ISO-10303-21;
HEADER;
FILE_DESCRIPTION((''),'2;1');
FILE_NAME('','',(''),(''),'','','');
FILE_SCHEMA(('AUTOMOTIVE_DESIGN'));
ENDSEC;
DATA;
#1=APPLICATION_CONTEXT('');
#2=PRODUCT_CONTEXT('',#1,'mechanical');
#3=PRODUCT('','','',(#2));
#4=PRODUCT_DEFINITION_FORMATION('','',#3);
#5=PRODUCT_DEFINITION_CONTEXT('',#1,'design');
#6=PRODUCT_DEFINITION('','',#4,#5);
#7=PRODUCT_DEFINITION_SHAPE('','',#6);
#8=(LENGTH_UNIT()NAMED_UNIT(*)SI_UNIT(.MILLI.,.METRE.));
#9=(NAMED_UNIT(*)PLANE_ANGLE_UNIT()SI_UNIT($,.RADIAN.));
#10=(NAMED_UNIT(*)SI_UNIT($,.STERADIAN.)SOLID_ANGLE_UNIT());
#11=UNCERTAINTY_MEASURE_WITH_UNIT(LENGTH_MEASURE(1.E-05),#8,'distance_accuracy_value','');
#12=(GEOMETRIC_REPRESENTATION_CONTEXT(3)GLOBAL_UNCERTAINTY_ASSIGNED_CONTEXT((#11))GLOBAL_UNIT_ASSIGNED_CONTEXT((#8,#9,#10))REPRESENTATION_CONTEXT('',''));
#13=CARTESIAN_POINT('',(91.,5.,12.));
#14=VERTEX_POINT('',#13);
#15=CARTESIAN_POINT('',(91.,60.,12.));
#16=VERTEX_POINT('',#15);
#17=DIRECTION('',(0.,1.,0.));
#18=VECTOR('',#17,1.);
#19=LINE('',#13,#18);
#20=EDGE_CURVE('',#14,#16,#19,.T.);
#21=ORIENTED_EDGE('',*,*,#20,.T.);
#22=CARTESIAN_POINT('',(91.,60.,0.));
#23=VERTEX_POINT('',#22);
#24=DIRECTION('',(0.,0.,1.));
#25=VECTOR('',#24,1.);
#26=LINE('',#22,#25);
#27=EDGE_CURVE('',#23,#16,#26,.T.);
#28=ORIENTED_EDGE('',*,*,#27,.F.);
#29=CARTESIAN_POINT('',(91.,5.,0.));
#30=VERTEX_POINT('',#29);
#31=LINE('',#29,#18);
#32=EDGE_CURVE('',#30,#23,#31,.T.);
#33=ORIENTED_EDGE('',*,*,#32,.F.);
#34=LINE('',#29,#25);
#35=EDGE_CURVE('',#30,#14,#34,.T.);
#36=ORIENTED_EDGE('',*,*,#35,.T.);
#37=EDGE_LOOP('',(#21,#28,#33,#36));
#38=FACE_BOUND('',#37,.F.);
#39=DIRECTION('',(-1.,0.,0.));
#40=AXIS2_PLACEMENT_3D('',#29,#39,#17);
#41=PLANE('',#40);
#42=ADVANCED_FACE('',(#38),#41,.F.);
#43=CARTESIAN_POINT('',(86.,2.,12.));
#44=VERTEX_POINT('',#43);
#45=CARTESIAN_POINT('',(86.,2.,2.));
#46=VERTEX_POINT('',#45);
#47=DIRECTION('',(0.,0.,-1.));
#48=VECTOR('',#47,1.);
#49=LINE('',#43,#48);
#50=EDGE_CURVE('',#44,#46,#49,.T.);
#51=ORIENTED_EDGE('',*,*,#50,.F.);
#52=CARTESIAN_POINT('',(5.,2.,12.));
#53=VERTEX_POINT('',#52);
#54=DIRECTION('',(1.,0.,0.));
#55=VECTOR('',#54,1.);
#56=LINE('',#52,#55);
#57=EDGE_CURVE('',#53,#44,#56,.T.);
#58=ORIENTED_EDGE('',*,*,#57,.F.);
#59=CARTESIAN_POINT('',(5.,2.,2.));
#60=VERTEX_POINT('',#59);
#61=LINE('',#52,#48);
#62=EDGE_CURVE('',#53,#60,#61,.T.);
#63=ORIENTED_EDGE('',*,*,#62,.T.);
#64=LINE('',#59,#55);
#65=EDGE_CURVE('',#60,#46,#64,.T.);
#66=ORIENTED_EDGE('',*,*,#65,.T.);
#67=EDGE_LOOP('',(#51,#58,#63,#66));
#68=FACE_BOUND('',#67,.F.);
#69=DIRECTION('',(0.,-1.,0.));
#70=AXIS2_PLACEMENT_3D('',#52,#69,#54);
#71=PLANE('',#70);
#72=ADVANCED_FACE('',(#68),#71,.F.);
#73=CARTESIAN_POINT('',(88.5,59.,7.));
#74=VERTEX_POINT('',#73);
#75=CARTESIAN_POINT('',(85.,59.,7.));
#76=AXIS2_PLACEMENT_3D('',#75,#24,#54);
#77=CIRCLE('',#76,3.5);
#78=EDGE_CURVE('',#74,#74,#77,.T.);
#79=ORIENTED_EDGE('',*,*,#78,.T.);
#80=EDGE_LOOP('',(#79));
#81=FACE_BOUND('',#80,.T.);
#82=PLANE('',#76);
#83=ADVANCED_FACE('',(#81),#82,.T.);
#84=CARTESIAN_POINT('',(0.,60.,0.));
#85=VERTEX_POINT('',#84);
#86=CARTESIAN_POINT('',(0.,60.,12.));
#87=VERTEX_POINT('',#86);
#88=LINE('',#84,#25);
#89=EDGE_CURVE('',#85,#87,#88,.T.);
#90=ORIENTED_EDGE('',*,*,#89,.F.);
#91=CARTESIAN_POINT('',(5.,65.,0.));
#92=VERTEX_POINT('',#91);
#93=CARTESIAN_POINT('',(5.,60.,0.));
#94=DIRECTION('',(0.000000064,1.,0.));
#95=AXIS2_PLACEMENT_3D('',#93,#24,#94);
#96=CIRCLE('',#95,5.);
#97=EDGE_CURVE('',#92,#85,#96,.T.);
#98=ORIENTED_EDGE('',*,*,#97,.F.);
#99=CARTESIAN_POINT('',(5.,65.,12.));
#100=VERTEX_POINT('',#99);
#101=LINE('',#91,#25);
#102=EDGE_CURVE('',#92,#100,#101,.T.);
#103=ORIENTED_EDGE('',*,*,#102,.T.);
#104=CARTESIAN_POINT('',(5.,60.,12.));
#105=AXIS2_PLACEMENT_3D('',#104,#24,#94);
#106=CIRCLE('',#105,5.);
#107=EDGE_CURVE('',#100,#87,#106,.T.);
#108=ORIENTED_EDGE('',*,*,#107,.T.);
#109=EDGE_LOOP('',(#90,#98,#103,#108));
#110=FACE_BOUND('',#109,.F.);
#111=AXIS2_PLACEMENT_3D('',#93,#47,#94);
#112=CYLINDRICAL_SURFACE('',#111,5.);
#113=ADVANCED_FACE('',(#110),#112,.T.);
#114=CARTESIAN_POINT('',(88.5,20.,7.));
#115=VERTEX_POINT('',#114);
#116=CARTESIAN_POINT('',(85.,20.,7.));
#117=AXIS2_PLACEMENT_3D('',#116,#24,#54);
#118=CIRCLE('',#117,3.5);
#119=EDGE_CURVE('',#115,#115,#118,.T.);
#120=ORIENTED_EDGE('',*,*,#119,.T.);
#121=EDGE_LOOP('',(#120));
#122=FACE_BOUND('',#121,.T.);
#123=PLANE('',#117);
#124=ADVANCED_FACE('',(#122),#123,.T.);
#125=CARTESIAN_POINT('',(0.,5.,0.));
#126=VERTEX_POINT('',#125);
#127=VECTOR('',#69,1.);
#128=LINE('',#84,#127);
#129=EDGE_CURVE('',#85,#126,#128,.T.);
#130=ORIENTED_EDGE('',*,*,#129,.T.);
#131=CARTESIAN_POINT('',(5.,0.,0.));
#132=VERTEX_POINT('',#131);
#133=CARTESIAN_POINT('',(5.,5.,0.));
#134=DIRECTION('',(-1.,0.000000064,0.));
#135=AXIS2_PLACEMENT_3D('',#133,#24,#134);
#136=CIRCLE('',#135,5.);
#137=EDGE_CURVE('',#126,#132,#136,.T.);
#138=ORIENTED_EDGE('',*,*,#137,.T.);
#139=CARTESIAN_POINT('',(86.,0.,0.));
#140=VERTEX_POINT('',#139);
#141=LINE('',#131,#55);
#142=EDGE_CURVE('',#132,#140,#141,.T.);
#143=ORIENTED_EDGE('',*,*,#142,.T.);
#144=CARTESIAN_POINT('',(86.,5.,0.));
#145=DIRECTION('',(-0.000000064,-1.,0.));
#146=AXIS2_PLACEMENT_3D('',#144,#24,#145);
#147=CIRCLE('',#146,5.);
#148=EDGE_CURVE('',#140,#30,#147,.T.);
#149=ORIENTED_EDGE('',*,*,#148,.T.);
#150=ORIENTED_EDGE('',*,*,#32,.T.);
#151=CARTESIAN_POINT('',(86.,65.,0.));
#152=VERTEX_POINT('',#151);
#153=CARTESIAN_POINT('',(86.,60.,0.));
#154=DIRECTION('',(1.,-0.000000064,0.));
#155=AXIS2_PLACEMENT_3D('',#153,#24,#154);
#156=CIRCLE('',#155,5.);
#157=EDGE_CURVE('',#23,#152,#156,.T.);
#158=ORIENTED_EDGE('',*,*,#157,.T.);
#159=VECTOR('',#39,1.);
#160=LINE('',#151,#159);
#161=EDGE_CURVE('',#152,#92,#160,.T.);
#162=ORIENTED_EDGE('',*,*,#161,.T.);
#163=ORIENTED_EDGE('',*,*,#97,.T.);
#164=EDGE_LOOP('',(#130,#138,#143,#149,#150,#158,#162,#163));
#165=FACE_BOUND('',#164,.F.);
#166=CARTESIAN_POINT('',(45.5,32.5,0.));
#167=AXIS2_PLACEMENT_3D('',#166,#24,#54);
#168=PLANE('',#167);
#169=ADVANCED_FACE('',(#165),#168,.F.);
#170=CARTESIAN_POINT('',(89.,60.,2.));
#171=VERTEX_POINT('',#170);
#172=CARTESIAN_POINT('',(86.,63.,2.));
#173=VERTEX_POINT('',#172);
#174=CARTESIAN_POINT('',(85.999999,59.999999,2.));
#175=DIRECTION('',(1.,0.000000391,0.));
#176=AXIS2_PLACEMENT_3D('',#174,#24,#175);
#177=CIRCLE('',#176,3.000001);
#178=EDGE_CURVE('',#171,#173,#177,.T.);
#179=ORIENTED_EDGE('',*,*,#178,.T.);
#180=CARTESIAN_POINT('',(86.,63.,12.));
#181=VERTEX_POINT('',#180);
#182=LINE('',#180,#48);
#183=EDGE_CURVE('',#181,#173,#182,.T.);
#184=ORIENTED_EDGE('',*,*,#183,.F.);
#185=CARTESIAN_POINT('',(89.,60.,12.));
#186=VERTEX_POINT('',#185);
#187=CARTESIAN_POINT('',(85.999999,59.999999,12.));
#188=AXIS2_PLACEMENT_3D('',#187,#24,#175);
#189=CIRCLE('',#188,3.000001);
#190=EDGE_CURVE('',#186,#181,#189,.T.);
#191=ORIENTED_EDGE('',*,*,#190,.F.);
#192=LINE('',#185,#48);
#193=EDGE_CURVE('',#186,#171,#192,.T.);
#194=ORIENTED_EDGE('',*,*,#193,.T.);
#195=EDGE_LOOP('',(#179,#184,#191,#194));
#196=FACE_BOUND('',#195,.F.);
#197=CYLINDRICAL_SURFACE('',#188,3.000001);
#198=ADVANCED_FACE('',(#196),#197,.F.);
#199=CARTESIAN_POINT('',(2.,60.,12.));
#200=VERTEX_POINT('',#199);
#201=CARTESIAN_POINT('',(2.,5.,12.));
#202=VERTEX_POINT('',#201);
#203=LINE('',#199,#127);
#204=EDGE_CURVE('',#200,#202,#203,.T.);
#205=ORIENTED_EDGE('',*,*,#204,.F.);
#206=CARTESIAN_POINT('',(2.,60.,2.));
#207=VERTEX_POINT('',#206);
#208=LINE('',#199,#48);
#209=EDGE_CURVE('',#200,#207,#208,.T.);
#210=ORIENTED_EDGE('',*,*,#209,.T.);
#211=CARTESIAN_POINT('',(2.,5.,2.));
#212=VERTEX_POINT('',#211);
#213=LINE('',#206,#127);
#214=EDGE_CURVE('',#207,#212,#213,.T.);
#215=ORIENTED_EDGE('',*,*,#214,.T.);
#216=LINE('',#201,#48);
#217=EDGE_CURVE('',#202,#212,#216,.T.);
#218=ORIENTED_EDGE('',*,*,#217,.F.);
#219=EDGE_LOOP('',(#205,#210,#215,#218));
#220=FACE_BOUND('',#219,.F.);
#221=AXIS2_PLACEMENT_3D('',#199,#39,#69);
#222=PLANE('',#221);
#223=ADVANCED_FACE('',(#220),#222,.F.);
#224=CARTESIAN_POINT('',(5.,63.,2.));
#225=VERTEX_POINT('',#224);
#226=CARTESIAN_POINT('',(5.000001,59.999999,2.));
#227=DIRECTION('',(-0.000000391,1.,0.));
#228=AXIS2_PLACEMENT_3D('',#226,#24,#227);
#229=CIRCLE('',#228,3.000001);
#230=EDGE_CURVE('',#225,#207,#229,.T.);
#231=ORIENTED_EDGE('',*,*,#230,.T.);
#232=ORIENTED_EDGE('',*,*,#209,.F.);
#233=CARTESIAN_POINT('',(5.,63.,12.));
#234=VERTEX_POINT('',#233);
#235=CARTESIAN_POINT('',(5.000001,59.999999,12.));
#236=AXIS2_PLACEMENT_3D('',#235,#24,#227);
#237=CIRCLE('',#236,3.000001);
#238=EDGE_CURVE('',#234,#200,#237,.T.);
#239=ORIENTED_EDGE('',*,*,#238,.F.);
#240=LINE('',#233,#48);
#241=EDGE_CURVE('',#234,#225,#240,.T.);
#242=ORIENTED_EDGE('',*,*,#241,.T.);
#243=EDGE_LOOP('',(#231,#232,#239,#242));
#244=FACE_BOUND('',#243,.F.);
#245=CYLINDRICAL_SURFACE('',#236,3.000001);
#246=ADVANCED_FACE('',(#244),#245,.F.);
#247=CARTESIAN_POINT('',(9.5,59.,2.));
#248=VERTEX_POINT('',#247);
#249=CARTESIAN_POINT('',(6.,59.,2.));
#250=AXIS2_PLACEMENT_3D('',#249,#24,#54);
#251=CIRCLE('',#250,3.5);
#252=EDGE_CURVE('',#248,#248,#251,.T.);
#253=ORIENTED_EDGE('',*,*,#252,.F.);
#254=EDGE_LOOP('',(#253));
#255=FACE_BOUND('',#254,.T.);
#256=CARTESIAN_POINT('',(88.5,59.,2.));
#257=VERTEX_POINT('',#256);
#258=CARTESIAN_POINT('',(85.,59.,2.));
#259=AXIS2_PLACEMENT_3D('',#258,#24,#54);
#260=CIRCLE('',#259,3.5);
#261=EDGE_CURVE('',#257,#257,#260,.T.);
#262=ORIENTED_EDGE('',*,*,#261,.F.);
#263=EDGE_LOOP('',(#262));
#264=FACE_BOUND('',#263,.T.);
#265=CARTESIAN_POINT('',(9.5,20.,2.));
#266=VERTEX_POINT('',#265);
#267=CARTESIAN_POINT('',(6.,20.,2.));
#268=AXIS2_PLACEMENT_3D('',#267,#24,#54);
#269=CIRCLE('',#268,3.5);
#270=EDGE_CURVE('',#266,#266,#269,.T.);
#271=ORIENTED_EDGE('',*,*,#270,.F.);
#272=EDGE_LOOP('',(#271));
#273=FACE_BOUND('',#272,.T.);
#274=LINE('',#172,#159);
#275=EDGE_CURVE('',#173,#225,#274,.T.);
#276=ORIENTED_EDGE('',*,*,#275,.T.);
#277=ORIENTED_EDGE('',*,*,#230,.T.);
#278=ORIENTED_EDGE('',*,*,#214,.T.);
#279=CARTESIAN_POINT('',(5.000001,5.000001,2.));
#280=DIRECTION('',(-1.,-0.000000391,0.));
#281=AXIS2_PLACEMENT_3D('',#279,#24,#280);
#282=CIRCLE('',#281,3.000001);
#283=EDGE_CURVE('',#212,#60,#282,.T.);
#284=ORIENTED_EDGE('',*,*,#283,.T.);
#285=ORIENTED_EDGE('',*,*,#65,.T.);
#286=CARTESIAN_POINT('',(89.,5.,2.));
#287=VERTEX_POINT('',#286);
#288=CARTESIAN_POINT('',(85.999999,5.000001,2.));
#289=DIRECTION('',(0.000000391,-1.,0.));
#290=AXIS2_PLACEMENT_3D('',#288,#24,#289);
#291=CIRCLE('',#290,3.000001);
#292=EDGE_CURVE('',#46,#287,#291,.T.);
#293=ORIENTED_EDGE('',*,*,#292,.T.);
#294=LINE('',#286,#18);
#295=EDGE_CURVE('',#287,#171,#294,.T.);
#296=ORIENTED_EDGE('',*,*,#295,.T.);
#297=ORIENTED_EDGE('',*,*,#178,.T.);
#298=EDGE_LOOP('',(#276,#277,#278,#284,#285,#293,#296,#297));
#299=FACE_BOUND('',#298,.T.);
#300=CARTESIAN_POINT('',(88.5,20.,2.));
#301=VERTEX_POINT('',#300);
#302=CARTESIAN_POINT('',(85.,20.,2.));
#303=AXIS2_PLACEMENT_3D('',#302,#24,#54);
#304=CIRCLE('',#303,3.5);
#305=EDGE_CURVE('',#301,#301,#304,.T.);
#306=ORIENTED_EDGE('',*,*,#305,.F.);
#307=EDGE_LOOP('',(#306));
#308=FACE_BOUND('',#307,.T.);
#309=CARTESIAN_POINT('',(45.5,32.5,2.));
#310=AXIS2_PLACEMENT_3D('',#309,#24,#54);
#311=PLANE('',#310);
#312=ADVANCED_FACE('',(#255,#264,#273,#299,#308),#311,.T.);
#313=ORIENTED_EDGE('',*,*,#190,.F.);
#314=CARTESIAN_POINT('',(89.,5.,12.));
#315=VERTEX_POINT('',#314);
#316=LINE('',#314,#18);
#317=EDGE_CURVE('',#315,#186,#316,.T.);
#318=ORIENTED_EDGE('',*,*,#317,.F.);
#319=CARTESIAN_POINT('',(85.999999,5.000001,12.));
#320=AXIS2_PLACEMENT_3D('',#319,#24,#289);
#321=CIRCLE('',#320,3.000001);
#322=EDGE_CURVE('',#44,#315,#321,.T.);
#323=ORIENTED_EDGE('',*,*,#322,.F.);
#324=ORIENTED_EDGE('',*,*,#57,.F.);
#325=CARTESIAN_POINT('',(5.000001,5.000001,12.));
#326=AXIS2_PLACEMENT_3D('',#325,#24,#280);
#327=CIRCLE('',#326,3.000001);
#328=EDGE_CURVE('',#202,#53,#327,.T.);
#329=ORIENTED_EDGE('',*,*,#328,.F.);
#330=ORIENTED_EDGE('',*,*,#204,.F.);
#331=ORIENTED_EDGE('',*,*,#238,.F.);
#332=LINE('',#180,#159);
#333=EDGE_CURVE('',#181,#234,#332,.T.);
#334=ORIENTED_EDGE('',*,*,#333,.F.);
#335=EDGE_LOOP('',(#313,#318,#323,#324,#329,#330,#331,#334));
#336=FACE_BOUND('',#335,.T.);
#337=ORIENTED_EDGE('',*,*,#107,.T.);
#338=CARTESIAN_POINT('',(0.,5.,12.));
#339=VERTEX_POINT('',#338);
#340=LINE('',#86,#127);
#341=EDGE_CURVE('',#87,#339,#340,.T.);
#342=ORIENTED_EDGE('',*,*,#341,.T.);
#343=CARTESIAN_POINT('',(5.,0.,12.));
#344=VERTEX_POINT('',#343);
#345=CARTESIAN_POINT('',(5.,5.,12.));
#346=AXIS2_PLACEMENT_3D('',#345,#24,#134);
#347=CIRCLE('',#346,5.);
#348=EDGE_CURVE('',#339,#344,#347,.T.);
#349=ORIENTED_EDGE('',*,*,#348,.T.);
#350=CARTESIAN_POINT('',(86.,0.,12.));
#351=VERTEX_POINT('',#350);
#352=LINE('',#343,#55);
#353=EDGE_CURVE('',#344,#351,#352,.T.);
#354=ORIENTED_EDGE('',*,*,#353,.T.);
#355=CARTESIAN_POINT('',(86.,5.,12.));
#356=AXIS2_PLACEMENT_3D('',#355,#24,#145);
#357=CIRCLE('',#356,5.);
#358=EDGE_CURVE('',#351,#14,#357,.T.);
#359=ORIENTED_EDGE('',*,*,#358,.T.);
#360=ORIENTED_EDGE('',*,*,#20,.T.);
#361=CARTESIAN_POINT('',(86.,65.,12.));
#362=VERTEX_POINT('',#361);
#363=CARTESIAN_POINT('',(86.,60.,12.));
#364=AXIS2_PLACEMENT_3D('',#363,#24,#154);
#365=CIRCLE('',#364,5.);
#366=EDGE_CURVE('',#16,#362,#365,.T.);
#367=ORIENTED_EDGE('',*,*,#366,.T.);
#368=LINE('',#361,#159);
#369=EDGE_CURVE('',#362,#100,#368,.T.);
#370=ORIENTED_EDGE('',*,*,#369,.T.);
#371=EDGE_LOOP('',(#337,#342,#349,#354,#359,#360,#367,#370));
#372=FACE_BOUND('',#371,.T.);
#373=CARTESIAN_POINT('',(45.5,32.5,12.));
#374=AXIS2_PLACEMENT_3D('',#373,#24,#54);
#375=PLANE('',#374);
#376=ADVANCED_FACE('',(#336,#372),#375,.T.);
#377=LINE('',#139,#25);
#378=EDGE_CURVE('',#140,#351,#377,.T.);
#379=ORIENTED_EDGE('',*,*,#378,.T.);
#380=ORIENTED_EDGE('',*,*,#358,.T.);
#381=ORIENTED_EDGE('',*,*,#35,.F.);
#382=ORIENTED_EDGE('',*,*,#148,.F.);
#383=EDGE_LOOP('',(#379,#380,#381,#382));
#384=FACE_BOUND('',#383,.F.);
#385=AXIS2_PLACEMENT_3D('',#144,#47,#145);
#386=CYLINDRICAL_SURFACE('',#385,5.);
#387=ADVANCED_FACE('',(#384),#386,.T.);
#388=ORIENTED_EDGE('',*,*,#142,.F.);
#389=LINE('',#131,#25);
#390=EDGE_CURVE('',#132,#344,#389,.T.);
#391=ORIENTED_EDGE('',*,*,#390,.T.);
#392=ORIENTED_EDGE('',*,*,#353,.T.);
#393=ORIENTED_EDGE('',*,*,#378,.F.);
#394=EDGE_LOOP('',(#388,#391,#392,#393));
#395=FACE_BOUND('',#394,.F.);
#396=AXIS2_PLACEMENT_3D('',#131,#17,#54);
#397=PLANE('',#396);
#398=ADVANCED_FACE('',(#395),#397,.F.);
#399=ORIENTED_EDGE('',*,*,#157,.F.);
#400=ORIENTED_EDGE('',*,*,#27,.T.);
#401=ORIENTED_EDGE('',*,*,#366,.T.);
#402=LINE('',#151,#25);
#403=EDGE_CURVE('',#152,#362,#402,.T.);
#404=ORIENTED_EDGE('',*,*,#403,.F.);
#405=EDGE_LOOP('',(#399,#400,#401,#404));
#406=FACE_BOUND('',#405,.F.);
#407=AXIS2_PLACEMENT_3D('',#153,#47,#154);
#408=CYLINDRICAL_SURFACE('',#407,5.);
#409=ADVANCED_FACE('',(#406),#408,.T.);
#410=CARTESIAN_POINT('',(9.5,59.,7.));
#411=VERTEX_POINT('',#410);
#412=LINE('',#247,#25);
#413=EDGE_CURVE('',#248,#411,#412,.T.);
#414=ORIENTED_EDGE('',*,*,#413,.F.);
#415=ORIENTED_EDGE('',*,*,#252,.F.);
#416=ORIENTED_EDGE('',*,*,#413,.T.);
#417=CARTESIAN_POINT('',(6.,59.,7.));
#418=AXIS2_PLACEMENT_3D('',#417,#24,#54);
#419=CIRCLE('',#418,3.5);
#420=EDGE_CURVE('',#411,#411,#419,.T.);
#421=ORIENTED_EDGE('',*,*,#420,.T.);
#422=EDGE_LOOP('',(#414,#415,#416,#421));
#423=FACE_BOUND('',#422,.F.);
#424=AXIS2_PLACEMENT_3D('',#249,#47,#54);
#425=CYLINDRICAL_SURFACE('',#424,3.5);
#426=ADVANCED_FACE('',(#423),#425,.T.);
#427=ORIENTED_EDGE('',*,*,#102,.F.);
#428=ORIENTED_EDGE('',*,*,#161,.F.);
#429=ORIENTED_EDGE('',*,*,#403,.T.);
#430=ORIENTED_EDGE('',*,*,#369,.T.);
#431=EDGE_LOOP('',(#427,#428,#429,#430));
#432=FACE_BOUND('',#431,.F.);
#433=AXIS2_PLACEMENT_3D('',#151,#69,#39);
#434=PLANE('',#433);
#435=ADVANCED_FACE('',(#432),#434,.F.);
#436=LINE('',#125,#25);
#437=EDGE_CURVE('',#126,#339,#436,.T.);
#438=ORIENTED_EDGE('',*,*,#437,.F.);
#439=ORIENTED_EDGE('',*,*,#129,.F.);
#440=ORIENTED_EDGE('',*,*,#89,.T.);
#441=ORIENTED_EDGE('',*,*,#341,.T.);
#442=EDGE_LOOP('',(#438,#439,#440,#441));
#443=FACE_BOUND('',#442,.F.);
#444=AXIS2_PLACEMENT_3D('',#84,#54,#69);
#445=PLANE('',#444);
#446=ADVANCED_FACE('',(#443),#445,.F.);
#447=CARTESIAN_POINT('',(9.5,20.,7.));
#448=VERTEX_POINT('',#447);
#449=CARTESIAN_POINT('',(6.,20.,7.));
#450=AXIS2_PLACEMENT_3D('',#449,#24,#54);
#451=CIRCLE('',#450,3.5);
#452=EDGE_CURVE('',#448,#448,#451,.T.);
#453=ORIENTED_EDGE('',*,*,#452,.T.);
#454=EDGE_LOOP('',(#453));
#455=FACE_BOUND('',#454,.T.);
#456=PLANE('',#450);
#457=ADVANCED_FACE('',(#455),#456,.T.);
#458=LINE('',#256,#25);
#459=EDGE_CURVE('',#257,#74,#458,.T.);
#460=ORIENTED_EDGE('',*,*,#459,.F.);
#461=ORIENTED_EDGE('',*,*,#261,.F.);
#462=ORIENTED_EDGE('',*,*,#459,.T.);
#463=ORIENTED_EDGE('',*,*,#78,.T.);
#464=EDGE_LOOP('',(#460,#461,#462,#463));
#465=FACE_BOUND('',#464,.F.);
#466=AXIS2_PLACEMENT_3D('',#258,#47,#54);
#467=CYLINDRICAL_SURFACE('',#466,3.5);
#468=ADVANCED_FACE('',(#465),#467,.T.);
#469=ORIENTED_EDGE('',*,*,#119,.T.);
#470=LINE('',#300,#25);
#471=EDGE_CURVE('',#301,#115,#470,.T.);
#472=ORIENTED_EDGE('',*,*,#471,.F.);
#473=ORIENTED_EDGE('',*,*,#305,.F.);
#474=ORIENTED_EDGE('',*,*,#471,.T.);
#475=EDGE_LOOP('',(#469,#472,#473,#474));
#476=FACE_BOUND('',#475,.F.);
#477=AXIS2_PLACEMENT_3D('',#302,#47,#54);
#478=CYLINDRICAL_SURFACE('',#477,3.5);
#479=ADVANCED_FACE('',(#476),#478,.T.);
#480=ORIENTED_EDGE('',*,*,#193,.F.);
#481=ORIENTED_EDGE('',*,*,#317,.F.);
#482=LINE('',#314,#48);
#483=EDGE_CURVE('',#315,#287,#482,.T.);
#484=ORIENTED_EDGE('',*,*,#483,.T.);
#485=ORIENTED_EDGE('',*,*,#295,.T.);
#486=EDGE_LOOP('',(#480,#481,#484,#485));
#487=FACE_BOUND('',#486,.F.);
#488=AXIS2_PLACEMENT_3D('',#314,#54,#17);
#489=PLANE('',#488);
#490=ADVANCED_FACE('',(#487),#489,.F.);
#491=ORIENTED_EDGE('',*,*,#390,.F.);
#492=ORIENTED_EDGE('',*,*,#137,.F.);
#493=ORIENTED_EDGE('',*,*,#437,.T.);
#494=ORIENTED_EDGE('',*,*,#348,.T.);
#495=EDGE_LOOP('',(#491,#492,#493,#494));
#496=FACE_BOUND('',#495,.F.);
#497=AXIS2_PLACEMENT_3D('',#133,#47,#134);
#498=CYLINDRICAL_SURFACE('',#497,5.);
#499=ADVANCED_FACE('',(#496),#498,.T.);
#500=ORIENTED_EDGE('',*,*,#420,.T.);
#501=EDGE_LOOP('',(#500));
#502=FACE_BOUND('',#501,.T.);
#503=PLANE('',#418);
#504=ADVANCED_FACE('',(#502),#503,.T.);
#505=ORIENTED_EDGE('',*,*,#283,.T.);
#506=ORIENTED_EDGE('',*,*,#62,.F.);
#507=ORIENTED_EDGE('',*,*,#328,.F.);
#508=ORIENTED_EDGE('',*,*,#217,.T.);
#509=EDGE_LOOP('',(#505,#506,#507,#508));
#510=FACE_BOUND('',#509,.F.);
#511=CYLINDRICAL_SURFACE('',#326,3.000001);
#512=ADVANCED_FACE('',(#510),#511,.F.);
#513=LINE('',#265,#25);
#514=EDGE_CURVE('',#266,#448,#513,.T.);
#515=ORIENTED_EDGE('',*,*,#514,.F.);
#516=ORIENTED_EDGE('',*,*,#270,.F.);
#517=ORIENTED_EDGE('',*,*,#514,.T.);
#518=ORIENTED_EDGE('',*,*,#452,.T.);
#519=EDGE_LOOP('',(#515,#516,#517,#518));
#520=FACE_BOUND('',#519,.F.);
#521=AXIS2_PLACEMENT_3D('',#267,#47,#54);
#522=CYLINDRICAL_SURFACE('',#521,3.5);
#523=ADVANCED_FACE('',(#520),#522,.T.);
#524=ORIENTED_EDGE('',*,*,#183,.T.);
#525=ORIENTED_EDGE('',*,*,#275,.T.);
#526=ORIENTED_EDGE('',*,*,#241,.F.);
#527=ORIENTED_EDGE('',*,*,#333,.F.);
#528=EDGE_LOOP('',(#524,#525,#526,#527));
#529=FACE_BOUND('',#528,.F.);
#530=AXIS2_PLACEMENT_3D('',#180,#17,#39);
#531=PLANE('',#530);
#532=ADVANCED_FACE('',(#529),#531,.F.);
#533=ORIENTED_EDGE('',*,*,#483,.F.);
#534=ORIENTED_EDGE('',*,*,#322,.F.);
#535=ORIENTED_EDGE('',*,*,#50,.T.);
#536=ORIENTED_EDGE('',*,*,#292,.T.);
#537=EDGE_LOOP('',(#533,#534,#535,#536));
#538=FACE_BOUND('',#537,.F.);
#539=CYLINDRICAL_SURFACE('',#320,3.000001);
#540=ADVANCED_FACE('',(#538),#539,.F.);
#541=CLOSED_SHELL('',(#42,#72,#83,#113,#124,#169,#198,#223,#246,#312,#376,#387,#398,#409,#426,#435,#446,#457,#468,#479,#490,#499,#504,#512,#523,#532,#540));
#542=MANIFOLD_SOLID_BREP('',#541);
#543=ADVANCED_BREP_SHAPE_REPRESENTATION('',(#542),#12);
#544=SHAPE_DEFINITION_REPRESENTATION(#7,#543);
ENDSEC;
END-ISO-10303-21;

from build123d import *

# Parameters (mm, degrees)
PAD_DEPTH                    = 12
POCKET_DEPTH                 = 10
SKETCH003_R                  = 3.5
PAD001_DEPTH                 = 5
SKETCH003_LINEARPATTERN_2_R  = 3.5
PAD001_LINEARPATTERN_2_DEPTH = 5
LINEARPATTERN001_COUNT       = 2
LINEARPATTERN001_PITCH       = 39


with BuildPart() as part:
    # Sketch → Pad (new body)
    with BuildSketch(Plane.XY):
        with BuildLine():
            Line((5, 0), (86, 0))
            ThreePointArc((86, 0), (89.535534, 1.464466), (91, 5))
            Line((91, 5), (91, 60))
            ThreePointArc((91, 60), (89.535534, 63.535534), (86, 65))
            Line((86, 65), (5, 65))
            ThreePointArc((5, 65), (1.464466, 63.535534), (0, 60))
            Line((0, 60), (0, 5))
            ThreePointArc((0, 5), (1.464466, 1.464466), (5, 0))
        make_face()
    extrude(amount=PAD_DEPTH)

    # Sketch002 → Pocket (cut)
    with BuildSketch(Plane.XY.offset(12)):
        with BuildLine():
            Line((5, 2), (86, 2))
            ThreePointArc((86, 2), (88.12132, 2.87868), (89, 5))
            Line((89, 5), (89, 60))
            ThreePointArc((89, 60), (88.12132, 62.12132), (86, 63))
            Line((86, 63), (5, 63))
            ThreePointArc((5, 63), (2.87868, 62.12132), (2, 60))
            Line((2, 60), (2, 5))
            ThreePointArc((2, 5), (2.87868, 2.87868), (5, 2))
        make_face()
    extrude(amount=-POCKET_DEPTH, mode=Mode.SUBTRACT)

    # Sketch003 → Pad001 (join)
    with BuildSketch(Plane.XY.offset(2)):
        with Locations((6, 20)):
            Circle(SKETCH003_R)
    pad001 = extrude(amount=PAD001_DEPTH)

    # Sketch003 LinearPattern 2 → Pad001 LinearPattern 2 (add)
    with BuildSketch(Plane(origin=(79, 0, 2), x_dir=(1, 0, 0), z_dir=(0, 0, 1))):
        with Locations((6, 20)):
            Circle(SKETCH003_LINEARPATTERN_2_R)
    pad001_linearpattern_2 = extrude(amount=PAD001_LINEARPATTERN_2_DEPTH)

    # LinearPattern001: Pad001, Pad001 LinearPattern 2 ×2
    with Locations(*[(0, i * LINEARPATTERN001_PITCH, 0) for i in range(1, LINEARPATTERN001_COUNT)]):
        add(pad001)
        add(pad001_linearpattern_2)


solid = part.part
